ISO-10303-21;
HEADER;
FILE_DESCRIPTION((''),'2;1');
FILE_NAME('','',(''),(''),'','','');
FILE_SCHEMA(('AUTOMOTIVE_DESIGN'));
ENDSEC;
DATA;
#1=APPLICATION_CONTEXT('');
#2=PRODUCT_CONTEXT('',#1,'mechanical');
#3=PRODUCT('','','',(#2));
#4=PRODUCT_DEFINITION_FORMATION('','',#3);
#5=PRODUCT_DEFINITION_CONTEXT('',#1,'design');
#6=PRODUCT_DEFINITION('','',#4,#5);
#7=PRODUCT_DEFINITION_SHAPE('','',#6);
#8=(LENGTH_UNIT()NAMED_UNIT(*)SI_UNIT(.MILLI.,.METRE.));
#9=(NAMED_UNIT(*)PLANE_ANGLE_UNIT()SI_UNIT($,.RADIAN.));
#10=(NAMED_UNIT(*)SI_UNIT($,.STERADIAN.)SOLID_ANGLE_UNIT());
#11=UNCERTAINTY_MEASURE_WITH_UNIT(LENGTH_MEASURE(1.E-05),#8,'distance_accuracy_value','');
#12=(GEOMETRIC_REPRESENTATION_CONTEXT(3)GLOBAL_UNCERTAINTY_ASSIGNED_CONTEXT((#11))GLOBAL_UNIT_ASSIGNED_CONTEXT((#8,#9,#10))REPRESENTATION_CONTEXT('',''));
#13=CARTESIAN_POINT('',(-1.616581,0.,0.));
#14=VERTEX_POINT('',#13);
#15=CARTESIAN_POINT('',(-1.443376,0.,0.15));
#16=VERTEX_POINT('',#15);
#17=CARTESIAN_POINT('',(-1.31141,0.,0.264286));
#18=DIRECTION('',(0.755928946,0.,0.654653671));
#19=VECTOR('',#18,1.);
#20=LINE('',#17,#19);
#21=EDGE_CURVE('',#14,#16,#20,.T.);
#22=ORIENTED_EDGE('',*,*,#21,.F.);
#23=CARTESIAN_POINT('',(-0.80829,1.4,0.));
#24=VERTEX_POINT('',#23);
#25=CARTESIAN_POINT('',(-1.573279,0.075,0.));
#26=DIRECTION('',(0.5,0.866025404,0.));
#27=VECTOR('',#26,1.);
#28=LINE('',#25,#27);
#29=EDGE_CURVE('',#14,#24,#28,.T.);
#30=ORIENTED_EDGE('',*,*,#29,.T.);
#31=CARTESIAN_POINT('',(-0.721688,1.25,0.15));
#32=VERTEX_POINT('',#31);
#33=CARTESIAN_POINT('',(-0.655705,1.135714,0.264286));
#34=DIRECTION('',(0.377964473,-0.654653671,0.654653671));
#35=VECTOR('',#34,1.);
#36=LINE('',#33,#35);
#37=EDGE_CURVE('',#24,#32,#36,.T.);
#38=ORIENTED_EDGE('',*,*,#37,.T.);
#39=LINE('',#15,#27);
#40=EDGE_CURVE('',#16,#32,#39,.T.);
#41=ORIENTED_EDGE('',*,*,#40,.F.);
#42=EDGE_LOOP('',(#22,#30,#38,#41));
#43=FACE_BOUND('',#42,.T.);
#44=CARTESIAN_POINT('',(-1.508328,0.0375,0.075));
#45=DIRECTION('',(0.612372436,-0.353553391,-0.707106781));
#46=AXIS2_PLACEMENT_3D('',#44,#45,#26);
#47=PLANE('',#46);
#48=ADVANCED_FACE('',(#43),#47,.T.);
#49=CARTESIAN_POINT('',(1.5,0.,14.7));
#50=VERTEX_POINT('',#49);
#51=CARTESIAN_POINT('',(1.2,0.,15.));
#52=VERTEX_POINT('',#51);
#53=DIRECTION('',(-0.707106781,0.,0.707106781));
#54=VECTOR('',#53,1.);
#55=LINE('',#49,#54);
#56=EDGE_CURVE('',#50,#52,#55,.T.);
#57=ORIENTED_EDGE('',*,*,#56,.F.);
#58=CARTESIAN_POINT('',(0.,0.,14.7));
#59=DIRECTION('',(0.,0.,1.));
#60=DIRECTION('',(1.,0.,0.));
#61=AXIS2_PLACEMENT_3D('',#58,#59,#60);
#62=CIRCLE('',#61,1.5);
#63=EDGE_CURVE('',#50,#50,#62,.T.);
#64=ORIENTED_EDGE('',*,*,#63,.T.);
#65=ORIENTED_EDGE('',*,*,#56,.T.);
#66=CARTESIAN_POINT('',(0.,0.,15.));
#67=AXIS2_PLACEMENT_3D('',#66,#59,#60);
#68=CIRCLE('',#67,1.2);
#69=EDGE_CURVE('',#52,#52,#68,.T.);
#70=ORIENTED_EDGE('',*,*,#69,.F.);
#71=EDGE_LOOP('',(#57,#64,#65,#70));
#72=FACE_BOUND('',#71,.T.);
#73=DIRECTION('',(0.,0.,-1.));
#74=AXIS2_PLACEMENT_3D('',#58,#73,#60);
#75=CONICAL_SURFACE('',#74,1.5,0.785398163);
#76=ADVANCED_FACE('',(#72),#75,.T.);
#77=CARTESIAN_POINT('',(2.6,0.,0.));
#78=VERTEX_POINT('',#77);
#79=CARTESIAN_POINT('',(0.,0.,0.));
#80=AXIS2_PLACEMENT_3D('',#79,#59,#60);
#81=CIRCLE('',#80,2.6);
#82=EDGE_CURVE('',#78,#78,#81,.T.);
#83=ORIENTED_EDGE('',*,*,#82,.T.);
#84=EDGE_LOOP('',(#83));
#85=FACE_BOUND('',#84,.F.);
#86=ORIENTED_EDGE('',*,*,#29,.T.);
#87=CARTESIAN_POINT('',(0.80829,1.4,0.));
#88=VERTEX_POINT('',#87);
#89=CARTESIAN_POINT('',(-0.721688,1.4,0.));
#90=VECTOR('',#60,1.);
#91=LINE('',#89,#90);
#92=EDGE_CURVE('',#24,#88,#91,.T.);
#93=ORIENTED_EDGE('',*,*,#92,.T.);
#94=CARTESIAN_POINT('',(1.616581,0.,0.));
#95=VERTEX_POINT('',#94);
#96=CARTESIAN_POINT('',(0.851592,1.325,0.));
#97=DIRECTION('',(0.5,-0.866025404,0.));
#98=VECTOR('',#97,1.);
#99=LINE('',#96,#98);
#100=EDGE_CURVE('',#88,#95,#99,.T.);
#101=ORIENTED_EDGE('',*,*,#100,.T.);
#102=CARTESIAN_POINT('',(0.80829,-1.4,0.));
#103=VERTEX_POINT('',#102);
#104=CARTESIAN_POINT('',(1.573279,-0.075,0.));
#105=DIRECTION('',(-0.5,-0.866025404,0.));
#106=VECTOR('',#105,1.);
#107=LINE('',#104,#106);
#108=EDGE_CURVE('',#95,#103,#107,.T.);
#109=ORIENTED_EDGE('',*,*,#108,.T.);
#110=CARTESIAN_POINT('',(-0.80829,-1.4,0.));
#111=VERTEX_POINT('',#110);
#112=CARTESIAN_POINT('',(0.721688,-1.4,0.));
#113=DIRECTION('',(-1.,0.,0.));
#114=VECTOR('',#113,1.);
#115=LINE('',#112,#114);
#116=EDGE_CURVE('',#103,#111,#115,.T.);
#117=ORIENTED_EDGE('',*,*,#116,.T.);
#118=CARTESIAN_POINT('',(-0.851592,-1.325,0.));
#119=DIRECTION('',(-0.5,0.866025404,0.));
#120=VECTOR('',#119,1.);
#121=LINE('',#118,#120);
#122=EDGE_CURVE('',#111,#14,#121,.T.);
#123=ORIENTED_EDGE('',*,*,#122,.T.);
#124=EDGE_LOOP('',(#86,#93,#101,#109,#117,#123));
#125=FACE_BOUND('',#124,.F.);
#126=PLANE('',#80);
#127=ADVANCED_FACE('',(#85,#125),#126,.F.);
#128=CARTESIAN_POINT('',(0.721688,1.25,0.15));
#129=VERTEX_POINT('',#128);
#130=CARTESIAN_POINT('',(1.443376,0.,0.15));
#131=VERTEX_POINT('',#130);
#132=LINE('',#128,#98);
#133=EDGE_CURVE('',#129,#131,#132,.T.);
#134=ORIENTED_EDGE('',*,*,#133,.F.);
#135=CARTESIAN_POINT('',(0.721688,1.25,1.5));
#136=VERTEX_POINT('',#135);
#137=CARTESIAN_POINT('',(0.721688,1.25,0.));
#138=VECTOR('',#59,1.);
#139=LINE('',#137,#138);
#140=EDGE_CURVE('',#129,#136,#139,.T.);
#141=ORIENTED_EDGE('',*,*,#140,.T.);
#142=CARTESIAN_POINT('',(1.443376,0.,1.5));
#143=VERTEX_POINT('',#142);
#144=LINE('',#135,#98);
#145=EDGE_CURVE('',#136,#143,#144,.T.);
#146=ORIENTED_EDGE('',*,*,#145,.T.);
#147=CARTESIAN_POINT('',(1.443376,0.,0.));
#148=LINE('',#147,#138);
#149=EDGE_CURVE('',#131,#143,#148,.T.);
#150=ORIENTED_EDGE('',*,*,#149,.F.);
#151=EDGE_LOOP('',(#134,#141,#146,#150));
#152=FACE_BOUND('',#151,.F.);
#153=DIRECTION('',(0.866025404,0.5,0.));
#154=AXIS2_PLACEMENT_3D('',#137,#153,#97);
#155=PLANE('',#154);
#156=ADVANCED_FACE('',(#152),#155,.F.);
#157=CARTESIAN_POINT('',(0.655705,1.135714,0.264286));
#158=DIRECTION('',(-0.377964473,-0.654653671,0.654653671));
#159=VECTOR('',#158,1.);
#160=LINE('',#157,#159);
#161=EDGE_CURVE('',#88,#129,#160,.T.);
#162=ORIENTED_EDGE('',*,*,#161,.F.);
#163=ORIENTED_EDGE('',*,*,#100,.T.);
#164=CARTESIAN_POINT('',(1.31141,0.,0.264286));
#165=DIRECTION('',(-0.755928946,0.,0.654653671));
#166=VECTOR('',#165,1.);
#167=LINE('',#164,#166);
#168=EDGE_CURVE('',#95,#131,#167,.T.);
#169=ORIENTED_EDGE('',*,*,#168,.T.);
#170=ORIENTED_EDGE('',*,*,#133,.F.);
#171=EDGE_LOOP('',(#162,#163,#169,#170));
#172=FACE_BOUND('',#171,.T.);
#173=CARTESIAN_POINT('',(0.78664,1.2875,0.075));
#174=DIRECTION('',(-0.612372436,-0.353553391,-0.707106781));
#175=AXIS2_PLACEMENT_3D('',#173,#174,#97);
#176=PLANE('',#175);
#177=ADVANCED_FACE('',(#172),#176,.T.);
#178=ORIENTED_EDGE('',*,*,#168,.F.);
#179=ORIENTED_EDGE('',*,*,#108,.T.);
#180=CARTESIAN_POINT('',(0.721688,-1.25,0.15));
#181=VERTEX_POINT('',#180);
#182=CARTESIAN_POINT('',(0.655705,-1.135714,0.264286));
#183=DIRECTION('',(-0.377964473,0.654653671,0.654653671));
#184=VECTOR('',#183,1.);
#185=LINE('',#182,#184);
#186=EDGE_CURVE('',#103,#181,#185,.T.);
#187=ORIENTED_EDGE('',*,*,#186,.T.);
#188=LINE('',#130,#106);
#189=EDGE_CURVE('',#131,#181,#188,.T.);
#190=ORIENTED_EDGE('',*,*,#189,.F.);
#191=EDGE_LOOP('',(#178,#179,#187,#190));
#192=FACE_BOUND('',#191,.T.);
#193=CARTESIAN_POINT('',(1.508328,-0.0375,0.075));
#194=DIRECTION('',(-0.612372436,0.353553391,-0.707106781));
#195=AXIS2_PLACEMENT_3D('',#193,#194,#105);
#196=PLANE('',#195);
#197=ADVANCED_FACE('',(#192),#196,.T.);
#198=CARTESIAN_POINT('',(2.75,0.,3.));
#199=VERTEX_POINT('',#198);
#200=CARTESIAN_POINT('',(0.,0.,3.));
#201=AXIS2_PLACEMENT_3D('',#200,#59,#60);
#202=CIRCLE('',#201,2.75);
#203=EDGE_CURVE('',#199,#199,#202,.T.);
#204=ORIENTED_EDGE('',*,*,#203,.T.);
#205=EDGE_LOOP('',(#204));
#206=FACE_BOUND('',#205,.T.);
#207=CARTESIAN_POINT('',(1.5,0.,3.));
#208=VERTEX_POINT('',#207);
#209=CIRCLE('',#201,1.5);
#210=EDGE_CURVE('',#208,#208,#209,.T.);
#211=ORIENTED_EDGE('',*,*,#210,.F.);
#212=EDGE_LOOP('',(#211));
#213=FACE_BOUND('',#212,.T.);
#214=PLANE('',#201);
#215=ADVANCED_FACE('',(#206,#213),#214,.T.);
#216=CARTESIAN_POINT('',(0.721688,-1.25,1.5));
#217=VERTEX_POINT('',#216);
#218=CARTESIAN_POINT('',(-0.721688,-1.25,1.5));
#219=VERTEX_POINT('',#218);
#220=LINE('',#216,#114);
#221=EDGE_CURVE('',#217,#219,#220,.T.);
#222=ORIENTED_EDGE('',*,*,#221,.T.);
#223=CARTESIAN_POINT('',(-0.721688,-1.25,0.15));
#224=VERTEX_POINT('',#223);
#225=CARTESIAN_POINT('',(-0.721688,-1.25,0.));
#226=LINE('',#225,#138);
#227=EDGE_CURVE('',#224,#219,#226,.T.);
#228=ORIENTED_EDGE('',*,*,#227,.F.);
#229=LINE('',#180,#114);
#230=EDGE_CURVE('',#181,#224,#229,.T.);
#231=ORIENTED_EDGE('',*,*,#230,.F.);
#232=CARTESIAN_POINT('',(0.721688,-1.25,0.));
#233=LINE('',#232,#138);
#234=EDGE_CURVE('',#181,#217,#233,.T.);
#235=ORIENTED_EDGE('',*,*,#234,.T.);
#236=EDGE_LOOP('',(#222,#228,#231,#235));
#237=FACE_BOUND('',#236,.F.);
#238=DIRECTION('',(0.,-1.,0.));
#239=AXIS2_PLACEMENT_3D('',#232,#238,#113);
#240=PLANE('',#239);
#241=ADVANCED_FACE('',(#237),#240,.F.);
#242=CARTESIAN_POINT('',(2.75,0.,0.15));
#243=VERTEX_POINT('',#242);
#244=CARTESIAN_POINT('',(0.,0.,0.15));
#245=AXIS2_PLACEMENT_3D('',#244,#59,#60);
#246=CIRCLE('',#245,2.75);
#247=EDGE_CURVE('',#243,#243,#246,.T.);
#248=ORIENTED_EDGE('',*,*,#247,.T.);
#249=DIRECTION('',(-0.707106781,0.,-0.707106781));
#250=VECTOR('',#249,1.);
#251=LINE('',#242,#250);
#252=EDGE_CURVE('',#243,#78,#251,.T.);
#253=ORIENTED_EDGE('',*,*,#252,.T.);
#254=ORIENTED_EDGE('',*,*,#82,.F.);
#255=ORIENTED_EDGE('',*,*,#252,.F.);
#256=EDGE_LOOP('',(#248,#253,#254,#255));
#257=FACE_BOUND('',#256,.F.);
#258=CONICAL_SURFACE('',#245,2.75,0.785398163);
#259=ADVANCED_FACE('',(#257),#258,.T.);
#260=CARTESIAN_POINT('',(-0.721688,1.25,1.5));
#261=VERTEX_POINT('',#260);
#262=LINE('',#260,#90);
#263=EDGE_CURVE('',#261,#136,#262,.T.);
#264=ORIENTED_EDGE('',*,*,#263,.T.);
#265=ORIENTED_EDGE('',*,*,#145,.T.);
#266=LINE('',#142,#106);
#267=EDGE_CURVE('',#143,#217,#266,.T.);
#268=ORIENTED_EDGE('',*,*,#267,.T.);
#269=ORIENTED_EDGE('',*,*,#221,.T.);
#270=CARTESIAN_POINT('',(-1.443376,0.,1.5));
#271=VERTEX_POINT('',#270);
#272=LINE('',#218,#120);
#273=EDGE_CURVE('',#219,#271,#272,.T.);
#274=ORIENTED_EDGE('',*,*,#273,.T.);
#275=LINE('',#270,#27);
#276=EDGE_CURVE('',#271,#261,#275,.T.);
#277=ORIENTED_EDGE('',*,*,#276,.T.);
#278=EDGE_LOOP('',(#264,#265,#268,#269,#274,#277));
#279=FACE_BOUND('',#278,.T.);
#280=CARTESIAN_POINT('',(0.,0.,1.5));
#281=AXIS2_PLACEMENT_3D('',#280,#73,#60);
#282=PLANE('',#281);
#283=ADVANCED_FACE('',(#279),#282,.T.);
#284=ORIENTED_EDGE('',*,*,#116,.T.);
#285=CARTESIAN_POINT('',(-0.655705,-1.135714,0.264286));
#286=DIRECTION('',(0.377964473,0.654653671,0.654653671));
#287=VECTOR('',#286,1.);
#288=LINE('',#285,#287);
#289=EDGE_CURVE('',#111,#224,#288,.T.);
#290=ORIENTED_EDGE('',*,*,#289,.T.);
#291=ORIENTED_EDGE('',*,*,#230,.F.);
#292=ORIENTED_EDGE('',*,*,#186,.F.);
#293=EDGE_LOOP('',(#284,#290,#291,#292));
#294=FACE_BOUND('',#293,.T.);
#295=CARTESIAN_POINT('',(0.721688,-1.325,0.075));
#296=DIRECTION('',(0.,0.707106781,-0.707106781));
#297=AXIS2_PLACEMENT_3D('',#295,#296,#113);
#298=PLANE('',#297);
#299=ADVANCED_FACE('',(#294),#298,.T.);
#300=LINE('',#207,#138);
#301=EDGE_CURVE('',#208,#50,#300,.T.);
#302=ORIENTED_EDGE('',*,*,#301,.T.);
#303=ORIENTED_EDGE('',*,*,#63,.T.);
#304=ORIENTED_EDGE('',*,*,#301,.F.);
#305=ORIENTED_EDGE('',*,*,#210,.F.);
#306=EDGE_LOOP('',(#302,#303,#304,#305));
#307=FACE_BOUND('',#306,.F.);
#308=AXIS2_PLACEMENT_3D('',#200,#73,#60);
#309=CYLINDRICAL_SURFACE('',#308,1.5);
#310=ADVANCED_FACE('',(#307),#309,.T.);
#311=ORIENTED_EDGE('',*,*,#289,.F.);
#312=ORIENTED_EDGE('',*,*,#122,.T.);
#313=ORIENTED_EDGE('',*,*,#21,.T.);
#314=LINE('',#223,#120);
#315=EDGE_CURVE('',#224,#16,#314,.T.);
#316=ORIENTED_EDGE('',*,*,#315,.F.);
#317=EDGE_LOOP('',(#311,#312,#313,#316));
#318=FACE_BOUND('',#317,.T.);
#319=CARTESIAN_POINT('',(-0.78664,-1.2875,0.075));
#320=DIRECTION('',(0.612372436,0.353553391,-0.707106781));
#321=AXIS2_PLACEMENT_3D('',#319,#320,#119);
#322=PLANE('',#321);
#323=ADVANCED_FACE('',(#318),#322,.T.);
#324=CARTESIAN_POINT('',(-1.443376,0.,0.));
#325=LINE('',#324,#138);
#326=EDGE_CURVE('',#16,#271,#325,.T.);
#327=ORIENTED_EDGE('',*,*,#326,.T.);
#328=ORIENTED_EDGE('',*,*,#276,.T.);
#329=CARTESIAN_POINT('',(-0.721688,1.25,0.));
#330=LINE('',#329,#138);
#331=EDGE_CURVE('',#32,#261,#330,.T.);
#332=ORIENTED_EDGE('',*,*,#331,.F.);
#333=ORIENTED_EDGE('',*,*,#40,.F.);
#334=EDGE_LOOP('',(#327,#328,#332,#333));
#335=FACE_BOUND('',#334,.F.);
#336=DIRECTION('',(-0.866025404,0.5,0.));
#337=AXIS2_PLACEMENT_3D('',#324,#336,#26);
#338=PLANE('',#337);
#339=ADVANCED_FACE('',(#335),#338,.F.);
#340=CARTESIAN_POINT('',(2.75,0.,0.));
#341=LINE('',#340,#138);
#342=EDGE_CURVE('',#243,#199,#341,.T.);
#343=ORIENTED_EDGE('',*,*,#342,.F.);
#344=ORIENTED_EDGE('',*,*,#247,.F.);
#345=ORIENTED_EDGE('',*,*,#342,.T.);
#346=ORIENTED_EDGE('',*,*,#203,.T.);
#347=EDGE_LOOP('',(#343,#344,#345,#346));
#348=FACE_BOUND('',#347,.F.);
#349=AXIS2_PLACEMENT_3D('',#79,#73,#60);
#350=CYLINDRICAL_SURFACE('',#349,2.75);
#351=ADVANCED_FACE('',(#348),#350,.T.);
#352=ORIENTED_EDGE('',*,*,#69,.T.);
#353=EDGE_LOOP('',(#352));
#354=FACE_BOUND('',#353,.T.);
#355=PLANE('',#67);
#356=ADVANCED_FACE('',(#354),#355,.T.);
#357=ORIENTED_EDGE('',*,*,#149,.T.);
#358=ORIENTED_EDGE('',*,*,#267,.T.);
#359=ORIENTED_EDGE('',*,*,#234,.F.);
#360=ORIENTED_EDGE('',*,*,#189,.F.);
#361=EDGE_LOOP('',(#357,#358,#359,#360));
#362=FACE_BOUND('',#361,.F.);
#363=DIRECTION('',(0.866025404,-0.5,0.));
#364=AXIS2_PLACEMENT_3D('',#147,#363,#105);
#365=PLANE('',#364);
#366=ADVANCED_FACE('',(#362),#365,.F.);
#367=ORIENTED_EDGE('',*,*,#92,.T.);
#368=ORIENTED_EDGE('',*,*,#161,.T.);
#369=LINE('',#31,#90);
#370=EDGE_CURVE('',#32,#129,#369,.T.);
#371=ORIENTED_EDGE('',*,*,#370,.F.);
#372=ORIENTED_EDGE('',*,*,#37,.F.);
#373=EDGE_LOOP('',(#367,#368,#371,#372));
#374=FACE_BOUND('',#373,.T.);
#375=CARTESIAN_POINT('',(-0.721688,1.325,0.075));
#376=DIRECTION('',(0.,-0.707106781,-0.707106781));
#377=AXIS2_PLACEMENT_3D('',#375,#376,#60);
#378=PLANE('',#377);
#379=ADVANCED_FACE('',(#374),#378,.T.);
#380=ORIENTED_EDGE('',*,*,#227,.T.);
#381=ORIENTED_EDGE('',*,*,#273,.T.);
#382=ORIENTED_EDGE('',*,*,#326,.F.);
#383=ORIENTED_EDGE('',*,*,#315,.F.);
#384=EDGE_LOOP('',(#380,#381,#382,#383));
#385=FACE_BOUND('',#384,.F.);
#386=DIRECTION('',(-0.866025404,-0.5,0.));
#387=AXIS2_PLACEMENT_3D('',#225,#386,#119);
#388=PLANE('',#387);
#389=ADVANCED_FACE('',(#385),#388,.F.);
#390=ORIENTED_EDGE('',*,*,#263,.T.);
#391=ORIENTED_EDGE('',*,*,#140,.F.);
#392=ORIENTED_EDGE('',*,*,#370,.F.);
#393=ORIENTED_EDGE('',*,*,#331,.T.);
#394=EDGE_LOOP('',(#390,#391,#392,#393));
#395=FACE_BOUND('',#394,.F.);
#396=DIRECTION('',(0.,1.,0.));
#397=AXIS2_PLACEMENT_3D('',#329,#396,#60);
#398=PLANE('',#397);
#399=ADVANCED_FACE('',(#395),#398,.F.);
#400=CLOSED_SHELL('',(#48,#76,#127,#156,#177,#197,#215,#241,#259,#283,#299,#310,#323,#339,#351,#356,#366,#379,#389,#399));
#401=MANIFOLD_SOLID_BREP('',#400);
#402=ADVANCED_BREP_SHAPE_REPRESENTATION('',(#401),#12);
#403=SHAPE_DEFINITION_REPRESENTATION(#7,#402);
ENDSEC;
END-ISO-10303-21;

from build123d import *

# Parameters (mm, degrees)
F3_R     = 2.75
F4_DEPTH = 3
F6_DEPTH = 1.5
F7_R     = 1.5
F8_DEPTH = 12
F9_SIZE  = 0.15
F10_SIZE = 0.3


with BuildPart() as f4:
    # F3 (on Top) → F4 (new body)
    with BuildSketch(Plane.XY):
        Circle(F3_R)
    extrude(amount=F4_DEPTH)

    # F5 (on face) → F6 (cut)
    with BuildSketch(Plane(origin=(0, 0, 0), x_dir=(1, 0, 0), z_dir=(0, 0, -1))):
        Polygon((0.7216878365, 1.25), (-0.7216878365, 1.25), (-1.443375673, 0), (-0.7216878365, -1.25), (0.7216878365, -1.25), (1.443375673, 0), align=None)
    extrude(amount=-F6_DEPTH, mode=Mode.SUBTRACT)

    # F7 (on face) → F8 (join)
    with BuildSketch(Plane.XY.offset(3)):
        Circle(F7_R)
    extrude(amount=F8_DEPTH)

    # F9
    f9_edges = [f4.edges().sort_by_distance(p)[0] for p in [
        (-2.75, 0, 0),
        (0, -1.25, 0),
        (1.082532, -0.625, 0),
        (1.082532, 0.625, 0),
        (0, 1.25, 0),
        (-1.082532, -0.625, 0),
        (-1.082532, 0.625, 0),
    ]]
    chamfer(f9_edges, length=F9_SIZE)

    # F10
    f10_edges = [f4.edges().sort_by_distance(p)[0] for p in [
        (-1.5, 0, 15),
    ]]
    chamfer(f10_edges, length=F10_SIZE)


solid = f4.part
